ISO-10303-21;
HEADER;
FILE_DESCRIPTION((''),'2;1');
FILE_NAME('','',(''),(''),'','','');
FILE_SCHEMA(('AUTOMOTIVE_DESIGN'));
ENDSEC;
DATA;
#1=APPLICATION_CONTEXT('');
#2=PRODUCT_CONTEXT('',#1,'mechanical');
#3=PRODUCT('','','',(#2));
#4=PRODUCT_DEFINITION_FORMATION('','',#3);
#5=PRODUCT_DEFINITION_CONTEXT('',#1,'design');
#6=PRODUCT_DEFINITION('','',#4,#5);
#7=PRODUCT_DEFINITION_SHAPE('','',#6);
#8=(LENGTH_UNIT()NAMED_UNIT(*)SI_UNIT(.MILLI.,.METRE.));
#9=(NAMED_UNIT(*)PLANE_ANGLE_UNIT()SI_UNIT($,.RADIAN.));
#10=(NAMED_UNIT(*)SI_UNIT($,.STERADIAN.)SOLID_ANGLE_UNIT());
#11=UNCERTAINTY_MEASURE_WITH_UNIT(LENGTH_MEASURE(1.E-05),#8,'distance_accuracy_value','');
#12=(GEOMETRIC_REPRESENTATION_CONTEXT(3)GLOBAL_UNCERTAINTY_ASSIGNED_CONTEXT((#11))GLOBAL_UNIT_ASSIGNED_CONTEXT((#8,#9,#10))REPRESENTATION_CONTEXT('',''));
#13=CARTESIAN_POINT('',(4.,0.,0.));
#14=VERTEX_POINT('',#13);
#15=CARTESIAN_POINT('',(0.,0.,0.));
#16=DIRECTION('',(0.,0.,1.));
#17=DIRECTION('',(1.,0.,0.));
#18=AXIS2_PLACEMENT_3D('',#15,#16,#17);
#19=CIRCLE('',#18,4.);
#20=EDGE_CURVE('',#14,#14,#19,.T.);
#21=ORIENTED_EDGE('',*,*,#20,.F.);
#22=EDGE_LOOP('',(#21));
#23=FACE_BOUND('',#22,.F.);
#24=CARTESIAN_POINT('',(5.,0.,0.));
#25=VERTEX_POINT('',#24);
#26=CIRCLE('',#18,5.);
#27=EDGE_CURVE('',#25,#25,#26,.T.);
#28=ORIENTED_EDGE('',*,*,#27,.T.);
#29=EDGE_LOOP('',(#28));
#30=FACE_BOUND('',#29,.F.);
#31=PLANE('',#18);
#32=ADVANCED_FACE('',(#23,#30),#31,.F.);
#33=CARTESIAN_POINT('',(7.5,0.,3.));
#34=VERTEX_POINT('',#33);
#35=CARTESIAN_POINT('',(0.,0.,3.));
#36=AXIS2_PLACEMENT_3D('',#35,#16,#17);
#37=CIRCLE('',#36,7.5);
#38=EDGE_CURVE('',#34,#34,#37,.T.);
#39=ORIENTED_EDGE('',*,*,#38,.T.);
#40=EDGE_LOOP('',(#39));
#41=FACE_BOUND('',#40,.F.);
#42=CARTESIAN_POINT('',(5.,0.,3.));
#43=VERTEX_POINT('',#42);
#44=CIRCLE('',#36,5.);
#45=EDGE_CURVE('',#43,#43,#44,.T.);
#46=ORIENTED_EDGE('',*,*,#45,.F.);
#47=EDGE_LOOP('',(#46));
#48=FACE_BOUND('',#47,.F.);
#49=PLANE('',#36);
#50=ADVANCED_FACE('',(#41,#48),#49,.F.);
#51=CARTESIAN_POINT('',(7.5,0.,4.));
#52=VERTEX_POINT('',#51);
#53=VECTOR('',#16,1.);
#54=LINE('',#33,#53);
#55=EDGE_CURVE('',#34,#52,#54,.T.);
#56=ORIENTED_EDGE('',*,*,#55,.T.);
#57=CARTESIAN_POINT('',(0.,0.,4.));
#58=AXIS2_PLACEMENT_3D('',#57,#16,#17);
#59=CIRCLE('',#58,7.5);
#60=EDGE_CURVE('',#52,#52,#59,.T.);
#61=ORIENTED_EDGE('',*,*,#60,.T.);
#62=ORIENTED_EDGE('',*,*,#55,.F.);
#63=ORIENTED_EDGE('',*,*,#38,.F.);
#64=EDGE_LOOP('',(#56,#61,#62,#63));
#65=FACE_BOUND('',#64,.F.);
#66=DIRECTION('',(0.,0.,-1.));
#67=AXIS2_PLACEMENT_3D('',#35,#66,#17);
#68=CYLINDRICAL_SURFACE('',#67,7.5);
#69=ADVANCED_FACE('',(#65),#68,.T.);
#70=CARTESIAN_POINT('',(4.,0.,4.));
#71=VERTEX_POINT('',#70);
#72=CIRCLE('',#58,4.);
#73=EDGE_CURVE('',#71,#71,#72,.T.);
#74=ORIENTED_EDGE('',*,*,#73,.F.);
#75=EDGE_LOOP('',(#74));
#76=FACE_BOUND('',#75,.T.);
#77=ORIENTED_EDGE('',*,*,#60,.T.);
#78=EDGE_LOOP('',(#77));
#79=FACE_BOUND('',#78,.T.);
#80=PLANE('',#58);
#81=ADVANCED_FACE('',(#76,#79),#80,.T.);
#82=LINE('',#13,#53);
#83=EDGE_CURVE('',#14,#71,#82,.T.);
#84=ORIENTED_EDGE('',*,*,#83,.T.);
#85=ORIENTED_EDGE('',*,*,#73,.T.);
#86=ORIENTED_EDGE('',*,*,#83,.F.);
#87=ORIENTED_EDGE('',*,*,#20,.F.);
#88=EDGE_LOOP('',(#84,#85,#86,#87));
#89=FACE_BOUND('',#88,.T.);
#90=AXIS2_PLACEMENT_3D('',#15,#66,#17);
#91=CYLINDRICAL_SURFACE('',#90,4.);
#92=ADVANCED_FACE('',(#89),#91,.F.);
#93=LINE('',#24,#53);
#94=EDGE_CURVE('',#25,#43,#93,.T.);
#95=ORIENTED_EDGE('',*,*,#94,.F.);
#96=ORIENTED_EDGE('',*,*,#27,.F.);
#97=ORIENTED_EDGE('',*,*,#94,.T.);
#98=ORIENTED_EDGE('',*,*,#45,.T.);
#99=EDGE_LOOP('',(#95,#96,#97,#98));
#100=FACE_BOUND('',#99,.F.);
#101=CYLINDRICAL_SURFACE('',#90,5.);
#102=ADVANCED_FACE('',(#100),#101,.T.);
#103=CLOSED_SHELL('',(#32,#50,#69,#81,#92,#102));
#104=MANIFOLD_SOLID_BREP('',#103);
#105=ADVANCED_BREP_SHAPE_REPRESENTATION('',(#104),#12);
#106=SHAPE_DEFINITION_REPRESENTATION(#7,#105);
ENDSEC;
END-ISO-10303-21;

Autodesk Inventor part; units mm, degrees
ref_plane "YZ Plane" through (0, 0, 0) normal (1, 0, 0) x (0, 1, 0)
ref_plane "XZ Plane" through (0, 0, 0) normal (0, 1, 0) x (-1, 0, 0)
ref_plane "XY Plane" through (0, 0, 0) normal (0, 0, 1) x (1, 0, 0)
sketch "スケッチ1" plane through (0, 0, 0) normal (0, 0, 1) x (1, 0, 0)
  circle A0 centre (0, 0) radius 4
  circle A1 centre (0, 0) radius 5
  dimension "d0" = 8
  dimension "d1" = 10
extrude "押し出し1" add sketch "スケッチ1" along normal blind 3
sketch "スケッチ2" plane through (0, 0, 3) normal (0, 0, 1) x (1, 0, 0)
  circle A0 centre (0, 0) radius 4 projected
  circle A1 centre (0, 0) radius 7.5
  dimension "d4" = 15
extrude "押し出し2" add sketch "スケッチ2" along normal blind 1
properties part number "オイレスフランジ付き081003" material "アセタール樹脂、黒"
